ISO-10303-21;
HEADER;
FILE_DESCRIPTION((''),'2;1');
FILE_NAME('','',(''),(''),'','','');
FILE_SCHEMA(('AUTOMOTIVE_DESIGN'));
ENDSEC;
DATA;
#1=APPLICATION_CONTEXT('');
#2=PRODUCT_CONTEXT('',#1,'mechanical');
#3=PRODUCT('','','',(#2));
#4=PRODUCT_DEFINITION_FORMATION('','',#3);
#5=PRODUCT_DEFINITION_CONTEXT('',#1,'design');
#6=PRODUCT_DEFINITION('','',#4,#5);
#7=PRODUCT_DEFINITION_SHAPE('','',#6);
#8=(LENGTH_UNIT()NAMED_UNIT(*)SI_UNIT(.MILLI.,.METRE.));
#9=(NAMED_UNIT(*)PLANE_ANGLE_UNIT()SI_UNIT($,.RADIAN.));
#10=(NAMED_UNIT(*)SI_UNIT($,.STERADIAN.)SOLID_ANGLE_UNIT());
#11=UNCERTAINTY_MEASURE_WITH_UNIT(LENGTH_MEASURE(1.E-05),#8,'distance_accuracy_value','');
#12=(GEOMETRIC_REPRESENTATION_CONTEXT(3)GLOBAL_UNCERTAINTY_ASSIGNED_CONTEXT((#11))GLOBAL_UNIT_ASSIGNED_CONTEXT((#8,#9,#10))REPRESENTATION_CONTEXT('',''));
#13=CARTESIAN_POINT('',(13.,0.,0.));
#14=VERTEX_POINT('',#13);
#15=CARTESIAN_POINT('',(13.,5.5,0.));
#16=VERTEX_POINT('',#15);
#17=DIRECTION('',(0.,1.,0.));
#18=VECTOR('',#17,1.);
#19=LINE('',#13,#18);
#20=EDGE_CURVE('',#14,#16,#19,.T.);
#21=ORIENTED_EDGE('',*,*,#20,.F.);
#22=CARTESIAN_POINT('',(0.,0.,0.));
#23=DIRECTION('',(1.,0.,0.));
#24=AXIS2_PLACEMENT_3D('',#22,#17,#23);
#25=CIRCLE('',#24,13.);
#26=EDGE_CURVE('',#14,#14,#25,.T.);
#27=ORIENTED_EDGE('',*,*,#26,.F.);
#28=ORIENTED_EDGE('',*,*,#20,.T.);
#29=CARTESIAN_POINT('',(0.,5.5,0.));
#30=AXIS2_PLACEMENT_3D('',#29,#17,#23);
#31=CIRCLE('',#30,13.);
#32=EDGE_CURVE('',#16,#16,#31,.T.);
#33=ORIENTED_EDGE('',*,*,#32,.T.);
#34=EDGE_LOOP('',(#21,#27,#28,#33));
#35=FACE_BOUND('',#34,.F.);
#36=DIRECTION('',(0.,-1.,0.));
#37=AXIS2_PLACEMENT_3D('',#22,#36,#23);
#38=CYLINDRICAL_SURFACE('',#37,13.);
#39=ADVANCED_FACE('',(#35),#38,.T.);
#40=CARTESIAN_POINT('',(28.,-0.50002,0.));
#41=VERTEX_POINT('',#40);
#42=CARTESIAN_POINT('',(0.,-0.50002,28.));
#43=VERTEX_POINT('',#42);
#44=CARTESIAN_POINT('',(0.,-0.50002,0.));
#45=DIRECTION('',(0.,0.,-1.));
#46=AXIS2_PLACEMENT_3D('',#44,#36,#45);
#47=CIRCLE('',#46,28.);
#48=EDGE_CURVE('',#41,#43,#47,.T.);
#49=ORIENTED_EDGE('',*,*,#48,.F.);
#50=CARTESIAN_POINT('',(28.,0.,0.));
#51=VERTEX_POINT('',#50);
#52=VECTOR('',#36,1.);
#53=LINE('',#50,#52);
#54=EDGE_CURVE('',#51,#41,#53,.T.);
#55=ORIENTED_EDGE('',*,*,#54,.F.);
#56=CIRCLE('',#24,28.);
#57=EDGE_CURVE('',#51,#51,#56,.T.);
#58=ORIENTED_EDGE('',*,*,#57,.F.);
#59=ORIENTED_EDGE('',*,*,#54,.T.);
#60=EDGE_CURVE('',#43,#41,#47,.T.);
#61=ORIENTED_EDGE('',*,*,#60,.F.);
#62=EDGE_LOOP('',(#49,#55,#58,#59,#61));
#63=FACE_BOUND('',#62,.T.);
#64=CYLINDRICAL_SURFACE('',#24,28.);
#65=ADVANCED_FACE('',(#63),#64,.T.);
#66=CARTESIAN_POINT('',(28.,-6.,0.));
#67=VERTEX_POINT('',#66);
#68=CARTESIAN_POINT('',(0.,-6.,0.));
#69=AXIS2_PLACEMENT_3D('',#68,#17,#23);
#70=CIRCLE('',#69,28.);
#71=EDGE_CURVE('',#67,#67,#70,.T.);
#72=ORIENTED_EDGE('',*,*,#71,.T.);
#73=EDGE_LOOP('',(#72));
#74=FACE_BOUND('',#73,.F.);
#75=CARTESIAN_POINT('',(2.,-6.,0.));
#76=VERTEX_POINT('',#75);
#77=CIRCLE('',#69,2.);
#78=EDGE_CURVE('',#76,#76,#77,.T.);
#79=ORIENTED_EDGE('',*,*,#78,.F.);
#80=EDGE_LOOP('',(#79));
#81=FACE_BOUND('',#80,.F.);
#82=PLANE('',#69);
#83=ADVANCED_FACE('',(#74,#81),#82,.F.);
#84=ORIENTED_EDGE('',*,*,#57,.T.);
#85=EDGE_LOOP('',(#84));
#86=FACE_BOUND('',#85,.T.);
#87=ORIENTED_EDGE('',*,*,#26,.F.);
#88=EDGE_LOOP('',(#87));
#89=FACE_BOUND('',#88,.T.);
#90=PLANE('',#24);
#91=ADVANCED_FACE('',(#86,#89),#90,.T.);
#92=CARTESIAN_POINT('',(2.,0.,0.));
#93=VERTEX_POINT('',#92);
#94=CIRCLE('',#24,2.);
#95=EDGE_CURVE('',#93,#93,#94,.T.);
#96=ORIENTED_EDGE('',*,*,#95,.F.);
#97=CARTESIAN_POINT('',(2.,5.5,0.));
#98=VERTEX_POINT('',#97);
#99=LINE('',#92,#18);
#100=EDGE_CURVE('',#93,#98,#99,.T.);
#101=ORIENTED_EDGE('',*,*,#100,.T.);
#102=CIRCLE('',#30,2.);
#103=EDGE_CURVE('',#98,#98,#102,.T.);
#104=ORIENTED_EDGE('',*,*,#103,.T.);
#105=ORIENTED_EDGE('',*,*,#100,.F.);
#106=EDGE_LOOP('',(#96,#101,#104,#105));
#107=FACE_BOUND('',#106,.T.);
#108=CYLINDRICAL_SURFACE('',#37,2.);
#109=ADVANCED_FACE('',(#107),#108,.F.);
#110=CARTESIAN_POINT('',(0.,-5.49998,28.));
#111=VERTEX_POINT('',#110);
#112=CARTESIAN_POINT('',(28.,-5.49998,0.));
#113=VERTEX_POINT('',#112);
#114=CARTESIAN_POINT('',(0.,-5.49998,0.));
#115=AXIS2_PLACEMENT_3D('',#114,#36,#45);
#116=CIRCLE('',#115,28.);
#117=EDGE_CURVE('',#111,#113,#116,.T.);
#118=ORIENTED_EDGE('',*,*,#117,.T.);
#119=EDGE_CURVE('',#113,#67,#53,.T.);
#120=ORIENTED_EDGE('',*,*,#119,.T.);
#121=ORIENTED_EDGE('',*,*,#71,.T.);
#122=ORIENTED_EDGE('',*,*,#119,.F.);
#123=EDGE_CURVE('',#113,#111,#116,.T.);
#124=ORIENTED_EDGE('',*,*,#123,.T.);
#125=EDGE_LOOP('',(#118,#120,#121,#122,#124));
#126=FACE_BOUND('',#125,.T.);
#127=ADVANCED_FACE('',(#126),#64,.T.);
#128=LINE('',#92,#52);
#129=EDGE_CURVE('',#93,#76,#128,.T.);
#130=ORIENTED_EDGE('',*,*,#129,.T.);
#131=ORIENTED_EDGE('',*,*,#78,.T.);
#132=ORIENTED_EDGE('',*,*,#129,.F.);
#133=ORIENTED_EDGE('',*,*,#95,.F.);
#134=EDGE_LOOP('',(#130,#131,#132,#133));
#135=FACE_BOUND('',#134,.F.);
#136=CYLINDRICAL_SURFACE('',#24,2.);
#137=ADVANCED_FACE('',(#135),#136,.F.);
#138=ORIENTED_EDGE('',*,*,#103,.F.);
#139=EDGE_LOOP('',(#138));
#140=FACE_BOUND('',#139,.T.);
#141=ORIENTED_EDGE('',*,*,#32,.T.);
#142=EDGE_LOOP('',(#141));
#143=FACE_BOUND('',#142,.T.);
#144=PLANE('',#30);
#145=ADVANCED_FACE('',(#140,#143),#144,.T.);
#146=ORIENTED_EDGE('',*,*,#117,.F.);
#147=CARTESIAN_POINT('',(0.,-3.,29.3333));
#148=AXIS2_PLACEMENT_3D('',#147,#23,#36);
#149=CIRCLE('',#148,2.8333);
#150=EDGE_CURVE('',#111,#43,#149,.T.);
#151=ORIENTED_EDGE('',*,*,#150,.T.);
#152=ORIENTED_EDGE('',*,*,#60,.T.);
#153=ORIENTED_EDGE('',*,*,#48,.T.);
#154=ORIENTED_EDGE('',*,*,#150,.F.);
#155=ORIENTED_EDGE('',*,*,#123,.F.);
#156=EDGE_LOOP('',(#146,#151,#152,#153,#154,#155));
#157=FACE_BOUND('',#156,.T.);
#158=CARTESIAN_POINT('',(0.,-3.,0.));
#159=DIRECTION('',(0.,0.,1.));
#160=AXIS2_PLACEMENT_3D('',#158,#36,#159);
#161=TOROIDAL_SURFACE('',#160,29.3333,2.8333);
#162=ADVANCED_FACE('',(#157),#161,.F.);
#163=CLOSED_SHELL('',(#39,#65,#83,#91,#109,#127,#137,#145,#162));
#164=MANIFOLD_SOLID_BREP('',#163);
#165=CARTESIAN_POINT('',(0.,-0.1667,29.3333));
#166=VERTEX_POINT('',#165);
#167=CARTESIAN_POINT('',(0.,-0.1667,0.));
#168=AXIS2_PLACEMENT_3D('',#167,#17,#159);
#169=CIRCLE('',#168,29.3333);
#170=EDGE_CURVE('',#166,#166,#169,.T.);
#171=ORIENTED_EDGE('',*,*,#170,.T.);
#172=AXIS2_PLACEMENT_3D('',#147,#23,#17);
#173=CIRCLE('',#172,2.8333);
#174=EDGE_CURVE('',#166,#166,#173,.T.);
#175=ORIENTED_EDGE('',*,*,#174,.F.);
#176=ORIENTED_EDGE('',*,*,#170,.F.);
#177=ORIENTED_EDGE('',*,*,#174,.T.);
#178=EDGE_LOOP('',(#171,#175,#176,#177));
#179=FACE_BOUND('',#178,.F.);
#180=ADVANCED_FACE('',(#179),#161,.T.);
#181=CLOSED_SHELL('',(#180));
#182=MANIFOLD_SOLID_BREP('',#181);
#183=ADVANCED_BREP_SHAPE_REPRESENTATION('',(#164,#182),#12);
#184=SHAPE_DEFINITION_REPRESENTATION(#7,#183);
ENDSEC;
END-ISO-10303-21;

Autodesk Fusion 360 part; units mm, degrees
sketch "Sketch1" plane through (0, 0, 0) normal (0, 1, 0) x (1, 0, 0) in component "hub"
  circle A0 centre (0, 0) radius 28
  circle A1 centre (0, 0) radius 13
  circle A2 centre (0, 0) radius 2
  dimension "d1" = 56
  dimension "d2" = 26
  dimension "d3" = 4
extrude "Extrude1" add sketch "Sketch1" against normal blind 6 contours A0 | A1 | A2 makes body 1 in component "hub"
extrude "Extrude2" add sketch "Sketch1" along normal blind 5.5 contours A1 bodies 1 in component "hub"
extrude "Extrude3" cut 1 faces at (0.637, 0, -0.1965) along direction (0, -1, 0) through all on bodies 1 bodies 1 in component "hub"
sketch "Sketch2" plane through (0, 0, 0) normal (1, 0, 0) x (0, -1, 0) in component "hub"
  line L0 (6, -28) -> (6, 28) construction
  line L1 (0, 28) -> (0, -28) construction
  line L2 (6, -28) -> (5.5, -28) construction
  line L3 (0, -28) -> (0.5, -28) construction
  line L4 (5.5, -28) -> (0.5, -28) construction
  line L5 (3, -28) -> (3, -26.5) construction
  circle A0 centre (3, -29.3333) radius 2.8333
  dimension "d8" = 0.5
  dimension "d9" = 0.5
  dimension "d10" = 1.5
revolve "Revolve1" cut sketch "Sketch2" angle 360 about axis through (0, 1.75, 0) along (0, 1, 0) bodies 1 in component "hub"
sketch "Sketch1 (2)" plane through (0, 0, 0) normal (1, 0, 0) x (0, 1, 0) in component "wheel"
  circle A0 centre (-3, 29.3333) radius 2.8333
revolve "Revolve1'" add sketch "Sketch1 (2)" angle 360 about axis through (0, 1.75, 0) along (0, 1, 0) separate body makes body 2 in component "wheel"
component "hub" placed x (1, 0, 0) y (0, 1, 0) z (0, 0, 1) at (0, 0, 0)
component "wheel" placed x (1, 0, 0) y (0, 1, 0) z (0, 0, 1) at (0, 0, 0)
